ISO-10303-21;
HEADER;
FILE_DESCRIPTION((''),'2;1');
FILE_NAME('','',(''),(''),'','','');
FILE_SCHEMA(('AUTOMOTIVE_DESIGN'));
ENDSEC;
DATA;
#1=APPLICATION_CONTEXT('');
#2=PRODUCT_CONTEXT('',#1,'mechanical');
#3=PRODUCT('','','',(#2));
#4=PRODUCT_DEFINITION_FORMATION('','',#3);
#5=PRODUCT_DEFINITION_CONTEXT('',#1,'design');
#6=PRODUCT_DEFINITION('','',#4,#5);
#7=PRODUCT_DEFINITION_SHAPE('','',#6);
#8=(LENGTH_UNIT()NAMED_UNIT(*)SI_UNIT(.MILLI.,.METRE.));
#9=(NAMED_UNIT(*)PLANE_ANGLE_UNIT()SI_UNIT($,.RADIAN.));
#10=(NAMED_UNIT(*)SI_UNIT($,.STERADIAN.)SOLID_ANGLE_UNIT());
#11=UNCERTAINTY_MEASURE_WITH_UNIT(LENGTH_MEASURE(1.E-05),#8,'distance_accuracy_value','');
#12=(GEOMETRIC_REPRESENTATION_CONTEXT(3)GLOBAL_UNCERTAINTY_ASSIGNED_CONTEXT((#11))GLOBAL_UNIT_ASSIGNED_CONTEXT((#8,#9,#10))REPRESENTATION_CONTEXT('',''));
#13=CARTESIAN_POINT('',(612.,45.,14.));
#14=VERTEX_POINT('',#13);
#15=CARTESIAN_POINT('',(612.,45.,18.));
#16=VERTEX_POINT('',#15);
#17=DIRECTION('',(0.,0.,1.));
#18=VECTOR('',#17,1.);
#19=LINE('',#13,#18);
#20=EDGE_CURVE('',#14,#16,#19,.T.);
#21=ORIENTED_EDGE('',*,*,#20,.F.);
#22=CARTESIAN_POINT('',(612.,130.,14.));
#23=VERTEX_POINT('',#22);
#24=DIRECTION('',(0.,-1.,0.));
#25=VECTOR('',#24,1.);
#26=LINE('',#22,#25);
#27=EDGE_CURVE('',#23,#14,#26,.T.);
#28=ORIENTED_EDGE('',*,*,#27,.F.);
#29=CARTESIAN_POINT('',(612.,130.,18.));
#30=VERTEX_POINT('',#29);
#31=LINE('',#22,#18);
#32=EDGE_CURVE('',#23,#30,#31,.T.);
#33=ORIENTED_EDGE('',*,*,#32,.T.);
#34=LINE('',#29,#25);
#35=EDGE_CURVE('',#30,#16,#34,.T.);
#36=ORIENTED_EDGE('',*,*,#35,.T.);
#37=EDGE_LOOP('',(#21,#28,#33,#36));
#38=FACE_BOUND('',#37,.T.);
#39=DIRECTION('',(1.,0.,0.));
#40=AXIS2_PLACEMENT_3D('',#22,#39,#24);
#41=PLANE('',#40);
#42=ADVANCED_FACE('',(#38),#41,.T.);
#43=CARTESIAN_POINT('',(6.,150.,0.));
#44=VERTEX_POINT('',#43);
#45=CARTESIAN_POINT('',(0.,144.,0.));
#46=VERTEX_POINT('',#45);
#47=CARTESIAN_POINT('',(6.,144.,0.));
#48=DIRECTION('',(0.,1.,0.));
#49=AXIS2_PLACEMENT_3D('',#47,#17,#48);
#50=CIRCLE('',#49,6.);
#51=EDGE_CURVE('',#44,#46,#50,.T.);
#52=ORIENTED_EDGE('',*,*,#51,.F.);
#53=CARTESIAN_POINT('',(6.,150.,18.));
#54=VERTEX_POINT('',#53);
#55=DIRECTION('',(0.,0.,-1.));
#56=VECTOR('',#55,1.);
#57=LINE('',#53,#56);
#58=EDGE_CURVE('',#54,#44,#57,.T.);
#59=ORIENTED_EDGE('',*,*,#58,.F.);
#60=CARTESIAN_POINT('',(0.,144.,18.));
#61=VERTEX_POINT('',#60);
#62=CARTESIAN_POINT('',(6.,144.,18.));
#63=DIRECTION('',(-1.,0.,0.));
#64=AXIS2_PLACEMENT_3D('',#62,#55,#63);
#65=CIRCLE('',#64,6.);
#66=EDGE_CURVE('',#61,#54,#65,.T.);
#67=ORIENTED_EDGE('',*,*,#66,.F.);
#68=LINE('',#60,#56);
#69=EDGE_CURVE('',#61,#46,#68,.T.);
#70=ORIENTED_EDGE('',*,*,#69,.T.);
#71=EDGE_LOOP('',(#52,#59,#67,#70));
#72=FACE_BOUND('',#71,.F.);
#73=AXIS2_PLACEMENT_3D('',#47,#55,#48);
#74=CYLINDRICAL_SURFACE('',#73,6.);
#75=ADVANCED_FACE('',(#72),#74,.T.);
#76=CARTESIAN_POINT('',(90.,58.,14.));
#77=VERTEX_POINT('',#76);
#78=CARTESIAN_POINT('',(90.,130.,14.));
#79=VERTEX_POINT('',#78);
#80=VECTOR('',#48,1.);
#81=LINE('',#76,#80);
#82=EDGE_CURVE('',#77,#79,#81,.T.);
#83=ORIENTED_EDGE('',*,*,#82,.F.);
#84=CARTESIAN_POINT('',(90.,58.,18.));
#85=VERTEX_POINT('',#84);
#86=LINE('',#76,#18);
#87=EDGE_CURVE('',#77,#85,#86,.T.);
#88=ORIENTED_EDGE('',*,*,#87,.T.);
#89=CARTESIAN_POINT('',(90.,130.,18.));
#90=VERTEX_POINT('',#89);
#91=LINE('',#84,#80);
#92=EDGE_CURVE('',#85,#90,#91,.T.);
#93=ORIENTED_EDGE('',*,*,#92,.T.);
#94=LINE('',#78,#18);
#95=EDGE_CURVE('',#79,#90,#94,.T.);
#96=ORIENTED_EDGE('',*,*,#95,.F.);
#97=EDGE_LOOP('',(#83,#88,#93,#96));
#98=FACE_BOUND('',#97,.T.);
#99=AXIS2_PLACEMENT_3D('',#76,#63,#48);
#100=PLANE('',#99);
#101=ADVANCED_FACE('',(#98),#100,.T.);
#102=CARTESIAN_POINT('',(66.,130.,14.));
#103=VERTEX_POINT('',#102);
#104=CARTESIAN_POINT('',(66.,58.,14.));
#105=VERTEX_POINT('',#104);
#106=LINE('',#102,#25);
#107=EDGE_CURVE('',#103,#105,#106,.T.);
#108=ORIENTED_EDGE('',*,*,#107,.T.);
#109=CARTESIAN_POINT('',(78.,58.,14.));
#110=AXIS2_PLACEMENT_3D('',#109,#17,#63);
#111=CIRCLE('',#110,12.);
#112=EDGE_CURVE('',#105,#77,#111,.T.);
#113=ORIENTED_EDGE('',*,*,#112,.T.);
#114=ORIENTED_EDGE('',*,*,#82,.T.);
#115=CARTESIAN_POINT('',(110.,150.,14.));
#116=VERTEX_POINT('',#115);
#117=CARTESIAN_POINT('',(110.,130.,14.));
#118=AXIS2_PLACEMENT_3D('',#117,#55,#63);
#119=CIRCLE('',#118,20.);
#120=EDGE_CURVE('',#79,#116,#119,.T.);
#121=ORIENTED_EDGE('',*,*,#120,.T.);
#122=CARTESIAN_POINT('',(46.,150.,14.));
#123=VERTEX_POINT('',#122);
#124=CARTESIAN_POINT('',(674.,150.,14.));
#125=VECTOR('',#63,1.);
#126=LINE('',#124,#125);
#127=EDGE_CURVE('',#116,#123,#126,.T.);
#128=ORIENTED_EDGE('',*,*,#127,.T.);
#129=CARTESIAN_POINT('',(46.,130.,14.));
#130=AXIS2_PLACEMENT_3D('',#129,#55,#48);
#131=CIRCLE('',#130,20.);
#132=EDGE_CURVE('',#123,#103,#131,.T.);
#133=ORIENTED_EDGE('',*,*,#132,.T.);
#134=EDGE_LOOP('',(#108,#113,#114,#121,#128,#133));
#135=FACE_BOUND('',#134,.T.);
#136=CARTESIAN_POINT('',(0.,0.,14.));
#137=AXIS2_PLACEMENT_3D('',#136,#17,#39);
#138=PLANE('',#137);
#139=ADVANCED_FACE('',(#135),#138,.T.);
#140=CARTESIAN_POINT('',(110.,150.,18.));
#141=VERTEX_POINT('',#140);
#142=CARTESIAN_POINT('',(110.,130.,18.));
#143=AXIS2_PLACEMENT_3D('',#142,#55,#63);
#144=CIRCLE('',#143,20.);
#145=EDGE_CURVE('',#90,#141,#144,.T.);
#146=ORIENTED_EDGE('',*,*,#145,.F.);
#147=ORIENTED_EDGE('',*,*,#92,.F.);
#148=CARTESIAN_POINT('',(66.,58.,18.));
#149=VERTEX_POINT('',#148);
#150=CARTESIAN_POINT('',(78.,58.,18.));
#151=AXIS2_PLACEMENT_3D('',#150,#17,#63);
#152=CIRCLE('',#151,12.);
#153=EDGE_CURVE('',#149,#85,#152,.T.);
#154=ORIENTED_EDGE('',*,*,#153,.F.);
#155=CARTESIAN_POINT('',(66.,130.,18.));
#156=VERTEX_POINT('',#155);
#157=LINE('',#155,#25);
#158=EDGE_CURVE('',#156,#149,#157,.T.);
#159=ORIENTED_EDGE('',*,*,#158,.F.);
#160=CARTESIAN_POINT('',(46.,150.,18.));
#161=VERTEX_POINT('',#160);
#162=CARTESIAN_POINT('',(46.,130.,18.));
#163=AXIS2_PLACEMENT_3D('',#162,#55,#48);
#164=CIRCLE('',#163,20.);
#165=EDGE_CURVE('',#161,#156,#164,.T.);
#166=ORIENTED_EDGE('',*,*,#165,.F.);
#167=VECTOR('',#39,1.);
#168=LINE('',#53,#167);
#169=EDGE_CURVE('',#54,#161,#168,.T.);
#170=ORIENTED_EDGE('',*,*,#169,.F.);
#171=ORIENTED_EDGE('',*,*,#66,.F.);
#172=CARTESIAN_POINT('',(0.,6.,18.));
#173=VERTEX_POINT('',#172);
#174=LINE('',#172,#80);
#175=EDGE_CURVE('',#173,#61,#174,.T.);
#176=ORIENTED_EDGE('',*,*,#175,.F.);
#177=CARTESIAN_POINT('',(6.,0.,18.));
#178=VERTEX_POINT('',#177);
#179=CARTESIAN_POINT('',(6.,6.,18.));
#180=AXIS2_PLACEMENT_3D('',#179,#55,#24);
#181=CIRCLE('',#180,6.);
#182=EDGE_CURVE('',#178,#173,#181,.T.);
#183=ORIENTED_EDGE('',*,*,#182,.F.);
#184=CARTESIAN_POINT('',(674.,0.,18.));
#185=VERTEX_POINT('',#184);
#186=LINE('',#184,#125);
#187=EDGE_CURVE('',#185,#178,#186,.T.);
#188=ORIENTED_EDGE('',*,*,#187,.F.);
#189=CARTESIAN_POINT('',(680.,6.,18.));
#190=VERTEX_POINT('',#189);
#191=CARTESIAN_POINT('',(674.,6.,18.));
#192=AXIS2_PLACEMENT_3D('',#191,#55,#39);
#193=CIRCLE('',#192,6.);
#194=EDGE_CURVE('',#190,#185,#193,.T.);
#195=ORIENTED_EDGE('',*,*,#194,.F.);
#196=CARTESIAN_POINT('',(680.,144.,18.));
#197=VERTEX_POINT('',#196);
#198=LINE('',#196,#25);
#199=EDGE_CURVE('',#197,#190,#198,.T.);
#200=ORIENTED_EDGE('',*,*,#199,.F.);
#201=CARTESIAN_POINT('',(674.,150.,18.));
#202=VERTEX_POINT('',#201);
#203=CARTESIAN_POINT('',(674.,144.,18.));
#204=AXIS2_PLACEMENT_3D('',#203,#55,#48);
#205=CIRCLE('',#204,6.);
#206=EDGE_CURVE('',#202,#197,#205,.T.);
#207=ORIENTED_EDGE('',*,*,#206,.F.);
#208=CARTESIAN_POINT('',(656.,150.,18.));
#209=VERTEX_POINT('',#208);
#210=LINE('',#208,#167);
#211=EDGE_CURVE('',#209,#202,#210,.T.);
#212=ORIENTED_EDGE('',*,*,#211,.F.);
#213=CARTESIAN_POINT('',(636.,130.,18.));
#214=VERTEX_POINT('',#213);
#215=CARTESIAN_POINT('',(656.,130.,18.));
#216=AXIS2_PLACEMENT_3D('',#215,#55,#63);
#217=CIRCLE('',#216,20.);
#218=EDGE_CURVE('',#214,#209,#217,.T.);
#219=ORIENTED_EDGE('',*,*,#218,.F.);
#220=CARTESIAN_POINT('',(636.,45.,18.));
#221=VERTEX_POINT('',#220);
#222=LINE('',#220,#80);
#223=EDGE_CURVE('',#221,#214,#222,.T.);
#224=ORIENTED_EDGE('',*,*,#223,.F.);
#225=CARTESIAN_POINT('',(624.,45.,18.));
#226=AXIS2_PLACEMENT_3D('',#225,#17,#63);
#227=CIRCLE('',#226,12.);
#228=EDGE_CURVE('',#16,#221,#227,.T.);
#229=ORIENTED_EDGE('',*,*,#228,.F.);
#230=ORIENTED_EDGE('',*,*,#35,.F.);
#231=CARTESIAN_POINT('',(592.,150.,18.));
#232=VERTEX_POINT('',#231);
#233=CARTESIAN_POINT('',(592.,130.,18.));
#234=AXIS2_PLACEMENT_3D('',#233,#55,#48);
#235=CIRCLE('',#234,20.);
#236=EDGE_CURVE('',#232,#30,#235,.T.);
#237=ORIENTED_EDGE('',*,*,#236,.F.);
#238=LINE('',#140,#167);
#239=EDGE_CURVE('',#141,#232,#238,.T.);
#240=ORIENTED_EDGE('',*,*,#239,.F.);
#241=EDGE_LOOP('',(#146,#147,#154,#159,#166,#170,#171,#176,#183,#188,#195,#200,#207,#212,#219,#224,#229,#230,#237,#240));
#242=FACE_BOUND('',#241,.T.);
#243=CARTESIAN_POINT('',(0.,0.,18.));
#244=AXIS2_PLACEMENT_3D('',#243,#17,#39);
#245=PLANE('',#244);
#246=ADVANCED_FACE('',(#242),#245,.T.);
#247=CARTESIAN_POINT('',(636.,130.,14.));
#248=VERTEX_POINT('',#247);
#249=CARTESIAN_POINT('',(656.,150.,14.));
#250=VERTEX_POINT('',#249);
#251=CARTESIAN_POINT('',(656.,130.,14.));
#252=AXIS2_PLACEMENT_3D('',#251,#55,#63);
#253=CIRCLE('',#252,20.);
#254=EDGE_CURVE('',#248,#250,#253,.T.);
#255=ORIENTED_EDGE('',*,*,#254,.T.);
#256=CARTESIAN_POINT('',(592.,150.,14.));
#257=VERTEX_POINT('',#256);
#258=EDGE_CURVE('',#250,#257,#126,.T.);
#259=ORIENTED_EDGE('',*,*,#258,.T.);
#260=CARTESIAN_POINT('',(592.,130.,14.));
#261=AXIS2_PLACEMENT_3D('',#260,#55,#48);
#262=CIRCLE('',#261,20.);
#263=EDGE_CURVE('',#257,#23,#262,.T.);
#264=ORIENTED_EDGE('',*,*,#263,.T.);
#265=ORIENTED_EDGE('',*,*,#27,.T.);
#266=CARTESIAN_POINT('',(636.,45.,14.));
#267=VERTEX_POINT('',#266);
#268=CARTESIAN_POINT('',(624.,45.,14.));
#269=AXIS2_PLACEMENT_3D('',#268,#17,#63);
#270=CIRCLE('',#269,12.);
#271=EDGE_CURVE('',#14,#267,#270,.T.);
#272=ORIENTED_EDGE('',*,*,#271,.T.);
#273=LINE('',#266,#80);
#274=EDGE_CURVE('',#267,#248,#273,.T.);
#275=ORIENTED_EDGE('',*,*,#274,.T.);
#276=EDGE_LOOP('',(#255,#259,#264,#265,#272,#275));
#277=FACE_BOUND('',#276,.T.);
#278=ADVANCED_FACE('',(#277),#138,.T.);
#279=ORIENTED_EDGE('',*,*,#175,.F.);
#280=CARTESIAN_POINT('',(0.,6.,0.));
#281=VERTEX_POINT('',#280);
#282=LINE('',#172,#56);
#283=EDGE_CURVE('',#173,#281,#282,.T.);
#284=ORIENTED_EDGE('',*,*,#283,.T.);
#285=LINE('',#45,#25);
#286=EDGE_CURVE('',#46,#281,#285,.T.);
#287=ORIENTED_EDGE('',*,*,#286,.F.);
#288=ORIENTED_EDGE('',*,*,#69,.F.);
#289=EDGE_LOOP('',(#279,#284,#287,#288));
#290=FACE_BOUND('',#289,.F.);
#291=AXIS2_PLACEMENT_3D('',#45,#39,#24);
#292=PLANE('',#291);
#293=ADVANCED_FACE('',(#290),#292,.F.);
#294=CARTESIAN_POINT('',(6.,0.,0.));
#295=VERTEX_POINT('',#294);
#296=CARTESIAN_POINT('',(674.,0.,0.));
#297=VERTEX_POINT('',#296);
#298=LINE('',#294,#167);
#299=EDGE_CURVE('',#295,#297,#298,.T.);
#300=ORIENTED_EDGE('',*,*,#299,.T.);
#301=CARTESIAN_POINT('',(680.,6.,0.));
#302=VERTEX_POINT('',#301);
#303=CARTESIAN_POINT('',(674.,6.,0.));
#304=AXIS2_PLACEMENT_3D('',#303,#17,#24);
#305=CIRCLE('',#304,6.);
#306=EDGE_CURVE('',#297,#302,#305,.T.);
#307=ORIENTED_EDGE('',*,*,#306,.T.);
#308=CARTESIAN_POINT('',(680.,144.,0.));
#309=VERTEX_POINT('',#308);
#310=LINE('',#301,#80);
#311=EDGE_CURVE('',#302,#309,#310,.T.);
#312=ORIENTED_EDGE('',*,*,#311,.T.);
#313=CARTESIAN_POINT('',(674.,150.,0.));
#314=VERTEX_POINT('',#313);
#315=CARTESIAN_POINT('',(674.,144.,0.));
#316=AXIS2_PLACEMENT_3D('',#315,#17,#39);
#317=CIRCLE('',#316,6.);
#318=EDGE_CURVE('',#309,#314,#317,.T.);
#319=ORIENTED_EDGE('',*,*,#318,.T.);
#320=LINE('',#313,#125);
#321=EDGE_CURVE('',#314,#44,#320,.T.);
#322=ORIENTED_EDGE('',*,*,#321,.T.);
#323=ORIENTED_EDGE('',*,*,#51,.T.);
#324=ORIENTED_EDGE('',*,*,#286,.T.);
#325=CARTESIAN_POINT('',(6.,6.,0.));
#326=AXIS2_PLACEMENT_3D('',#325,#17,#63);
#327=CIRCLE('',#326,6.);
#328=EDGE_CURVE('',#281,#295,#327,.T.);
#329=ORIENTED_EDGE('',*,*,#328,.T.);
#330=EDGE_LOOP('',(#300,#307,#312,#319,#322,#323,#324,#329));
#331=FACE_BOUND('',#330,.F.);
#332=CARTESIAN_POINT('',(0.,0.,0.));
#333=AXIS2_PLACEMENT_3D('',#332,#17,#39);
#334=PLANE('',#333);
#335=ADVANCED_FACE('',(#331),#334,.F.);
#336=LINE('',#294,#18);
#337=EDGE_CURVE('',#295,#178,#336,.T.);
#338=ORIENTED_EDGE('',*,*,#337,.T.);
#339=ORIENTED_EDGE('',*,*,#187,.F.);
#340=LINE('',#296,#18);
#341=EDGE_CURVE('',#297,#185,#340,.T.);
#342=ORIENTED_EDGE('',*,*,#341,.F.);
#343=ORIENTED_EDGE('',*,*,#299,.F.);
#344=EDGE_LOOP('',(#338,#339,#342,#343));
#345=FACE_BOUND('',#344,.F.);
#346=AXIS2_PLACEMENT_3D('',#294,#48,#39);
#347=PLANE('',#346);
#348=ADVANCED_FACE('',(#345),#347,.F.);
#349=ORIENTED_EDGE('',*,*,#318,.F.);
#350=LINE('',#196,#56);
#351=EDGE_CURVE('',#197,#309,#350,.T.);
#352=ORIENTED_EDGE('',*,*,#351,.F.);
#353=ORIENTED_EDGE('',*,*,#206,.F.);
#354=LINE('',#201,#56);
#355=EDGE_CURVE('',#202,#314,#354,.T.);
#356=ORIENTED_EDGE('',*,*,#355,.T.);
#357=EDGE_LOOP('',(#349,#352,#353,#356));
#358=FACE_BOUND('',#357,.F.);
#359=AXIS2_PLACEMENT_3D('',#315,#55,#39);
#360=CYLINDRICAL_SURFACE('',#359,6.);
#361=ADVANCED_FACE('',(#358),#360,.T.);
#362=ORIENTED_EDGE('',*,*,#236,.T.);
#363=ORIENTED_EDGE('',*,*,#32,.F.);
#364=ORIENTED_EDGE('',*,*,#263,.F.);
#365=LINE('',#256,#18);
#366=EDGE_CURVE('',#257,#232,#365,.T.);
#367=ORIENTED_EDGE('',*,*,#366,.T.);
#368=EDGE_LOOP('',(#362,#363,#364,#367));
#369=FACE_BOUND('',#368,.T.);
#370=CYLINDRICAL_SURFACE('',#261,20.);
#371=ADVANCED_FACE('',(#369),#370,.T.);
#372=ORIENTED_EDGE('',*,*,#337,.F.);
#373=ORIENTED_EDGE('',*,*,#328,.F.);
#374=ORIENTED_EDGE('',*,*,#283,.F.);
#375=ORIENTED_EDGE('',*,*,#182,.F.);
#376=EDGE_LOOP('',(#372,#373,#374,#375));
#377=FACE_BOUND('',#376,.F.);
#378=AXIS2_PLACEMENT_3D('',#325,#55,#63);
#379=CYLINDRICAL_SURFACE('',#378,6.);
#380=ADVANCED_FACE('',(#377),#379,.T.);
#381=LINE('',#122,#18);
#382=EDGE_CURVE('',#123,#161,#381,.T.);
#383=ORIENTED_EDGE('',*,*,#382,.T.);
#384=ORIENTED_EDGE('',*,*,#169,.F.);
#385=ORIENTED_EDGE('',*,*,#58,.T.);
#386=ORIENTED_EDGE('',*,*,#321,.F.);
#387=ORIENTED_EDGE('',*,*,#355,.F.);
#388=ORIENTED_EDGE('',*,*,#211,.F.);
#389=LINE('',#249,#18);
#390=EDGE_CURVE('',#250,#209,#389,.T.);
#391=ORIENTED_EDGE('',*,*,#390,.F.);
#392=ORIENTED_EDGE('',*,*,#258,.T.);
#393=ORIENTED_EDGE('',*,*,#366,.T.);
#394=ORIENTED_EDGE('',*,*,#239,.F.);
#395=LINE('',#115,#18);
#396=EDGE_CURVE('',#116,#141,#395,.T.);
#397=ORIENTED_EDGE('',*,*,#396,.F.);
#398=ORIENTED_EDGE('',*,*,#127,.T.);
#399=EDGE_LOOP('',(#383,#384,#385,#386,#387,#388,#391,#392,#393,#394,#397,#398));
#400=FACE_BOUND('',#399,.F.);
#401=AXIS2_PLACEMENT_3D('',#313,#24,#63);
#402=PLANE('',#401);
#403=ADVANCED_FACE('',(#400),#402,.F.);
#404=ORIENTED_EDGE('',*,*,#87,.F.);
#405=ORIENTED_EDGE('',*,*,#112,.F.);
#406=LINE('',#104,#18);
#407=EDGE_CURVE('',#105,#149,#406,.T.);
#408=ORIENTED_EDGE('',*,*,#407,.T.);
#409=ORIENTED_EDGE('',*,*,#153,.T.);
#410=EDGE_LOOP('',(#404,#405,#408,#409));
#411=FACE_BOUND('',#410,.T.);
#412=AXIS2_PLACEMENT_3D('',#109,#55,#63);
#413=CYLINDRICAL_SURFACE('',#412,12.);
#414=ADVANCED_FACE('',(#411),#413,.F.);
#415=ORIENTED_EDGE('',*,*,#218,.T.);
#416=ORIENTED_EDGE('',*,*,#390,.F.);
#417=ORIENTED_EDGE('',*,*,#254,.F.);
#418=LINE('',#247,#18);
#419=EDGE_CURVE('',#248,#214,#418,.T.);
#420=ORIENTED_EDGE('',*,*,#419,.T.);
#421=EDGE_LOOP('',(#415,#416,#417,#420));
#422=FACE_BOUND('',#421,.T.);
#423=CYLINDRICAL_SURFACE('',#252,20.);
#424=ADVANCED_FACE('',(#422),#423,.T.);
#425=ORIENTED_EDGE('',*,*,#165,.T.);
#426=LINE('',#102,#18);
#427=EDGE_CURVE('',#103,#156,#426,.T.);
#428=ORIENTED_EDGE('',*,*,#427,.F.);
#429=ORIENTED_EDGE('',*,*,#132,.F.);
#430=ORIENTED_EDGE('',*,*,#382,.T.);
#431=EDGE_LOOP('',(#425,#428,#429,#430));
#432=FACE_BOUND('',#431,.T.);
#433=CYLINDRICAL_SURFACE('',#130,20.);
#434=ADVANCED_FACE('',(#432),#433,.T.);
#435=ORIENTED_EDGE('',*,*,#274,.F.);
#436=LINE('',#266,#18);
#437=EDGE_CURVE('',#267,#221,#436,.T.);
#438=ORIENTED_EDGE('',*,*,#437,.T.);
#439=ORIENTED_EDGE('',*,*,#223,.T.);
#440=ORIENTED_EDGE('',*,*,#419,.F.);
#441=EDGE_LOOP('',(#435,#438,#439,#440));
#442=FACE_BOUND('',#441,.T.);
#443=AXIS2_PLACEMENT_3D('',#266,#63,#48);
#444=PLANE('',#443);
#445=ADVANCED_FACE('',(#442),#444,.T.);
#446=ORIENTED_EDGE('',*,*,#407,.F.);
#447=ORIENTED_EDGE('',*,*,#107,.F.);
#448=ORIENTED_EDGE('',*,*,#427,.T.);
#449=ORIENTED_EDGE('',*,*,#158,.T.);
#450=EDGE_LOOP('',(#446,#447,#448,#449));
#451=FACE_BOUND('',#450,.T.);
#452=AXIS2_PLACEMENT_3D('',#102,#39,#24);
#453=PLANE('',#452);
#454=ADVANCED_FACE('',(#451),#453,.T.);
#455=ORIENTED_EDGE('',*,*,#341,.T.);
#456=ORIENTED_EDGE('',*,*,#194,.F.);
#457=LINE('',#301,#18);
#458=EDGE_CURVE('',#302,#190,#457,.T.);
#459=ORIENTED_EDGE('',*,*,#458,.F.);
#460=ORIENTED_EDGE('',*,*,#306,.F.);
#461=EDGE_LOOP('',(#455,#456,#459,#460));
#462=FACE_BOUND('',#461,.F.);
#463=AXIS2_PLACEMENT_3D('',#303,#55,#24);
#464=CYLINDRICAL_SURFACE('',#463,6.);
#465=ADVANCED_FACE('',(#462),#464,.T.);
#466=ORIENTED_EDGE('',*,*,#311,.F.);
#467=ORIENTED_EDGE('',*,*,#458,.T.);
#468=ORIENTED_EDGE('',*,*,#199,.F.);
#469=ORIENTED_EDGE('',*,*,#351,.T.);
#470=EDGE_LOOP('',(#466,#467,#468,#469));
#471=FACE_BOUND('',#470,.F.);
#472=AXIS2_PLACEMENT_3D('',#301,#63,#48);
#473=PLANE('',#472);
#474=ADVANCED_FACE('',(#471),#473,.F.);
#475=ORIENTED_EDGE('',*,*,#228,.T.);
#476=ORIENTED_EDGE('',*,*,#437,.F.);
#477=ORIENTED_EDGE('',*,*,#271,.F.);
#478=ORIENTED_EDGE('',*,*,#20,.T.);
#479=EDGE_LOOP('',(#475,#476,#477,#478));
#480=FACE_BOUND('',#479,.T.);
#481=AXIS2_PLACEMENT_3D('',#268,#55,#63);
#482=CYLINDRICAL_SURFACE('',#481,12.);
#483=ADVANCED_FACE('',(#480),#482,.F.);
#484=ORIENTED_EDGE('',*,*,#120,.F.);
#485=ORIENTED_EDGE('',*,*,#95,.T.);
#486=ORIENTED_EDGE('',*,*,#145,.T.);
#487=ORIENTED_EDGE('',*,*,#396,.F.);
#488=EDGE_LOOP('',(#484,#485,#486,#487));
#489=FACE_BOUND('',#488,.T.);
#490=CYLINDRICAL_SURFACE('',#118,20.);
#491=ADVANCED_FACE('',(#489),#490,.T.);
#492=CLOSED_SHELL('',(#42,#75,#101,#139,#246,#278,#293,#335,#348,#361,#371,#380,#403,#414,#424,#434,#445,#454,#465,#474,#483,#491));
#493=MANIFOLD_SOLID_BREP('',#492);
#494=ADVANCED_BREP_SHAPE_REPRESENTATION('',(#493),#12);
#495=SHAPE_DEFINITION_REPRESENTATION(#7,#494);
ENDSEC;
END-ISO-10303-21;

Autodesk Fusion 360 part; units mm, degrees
sketch "Sketch1" plane through (0, 0, 0) normal (0, 0, 1) x (1, 0, 0)
  line L0 (6, 0) -> (674, 0)
  line L1 (680, 6) -> (680, 144)
  line L2 (674, 150) -> (6, 150)
  line L3 (0, 144) -> (0, 6)
  arc A0 (6, 150) -> (0, 144) centre (6, 144) ccw
  arc A1 (680, 144) -> (674, 150) centre (674, 144) ccw
  arc A2 (674, 0) -> (680, 6) centre (674, 6) ccw
  arc A3 (0, 6) -> (6, 0) centre (6, 6) ccw
  point P0 (680, 0)
  point P1 (0, 150)
  dimension "d44" = 680
  dimension "d45" = 150
  dimension "d46" = 6
extrude "Extrude4" add sketch "Sketch1" along normal blind 14
sketch "pf" plane through (0, 0, 14) normal (0, 0, 1) x (1, 0, 0)
  arc A0 (66, 58) -> (90, 58) centre (78, 58) ccw
  arc A1 (0, 144) -> (6, 150) centre (6, 144) cw
  arc A2 (680, 6) -> (674, 0) centre (674, 6) cw
  line L0 (636, 45) -> (636, 130)
  line L1 (6, 150) -> (46, 150)
  line L2 (656, 150) -> (674, 150)
  line L3 (0, 6) -> (0, 144)
  arc A3 (612, 45) -> (636, 45) centre (624, 45) ccw
  arc A4 (636, 130) -> (656, 150) centre (656, 130) cw
  line L4 (680, 144) -> (680, 6)
  arc A5 (90, 130) -> (110, 150) centre (110, 130) cw
  line L5 (612, 130) -> (612, 45)
  line L6 (110, 150) -> (592, 150)
  arc A6 (592, 150) -> (612, 130) centre (592, 130) cw
  arc A7 (46, 150) -> (66, 130) centre (46, 130) cw
  arc A8 (6, 0) -> (0, 6) centre (6, 6) cw
  arc A9 (674, 150) -> (680, 144) centre (674, 144) cw
  line L7 (674, 0) -> (6, 0)
  line L8 (66, 130) -> (66, 58)
  line L9 (90, 58) -> (90, 130)
extrude "Extrude5" add sketch "pf" along normal blind 4
